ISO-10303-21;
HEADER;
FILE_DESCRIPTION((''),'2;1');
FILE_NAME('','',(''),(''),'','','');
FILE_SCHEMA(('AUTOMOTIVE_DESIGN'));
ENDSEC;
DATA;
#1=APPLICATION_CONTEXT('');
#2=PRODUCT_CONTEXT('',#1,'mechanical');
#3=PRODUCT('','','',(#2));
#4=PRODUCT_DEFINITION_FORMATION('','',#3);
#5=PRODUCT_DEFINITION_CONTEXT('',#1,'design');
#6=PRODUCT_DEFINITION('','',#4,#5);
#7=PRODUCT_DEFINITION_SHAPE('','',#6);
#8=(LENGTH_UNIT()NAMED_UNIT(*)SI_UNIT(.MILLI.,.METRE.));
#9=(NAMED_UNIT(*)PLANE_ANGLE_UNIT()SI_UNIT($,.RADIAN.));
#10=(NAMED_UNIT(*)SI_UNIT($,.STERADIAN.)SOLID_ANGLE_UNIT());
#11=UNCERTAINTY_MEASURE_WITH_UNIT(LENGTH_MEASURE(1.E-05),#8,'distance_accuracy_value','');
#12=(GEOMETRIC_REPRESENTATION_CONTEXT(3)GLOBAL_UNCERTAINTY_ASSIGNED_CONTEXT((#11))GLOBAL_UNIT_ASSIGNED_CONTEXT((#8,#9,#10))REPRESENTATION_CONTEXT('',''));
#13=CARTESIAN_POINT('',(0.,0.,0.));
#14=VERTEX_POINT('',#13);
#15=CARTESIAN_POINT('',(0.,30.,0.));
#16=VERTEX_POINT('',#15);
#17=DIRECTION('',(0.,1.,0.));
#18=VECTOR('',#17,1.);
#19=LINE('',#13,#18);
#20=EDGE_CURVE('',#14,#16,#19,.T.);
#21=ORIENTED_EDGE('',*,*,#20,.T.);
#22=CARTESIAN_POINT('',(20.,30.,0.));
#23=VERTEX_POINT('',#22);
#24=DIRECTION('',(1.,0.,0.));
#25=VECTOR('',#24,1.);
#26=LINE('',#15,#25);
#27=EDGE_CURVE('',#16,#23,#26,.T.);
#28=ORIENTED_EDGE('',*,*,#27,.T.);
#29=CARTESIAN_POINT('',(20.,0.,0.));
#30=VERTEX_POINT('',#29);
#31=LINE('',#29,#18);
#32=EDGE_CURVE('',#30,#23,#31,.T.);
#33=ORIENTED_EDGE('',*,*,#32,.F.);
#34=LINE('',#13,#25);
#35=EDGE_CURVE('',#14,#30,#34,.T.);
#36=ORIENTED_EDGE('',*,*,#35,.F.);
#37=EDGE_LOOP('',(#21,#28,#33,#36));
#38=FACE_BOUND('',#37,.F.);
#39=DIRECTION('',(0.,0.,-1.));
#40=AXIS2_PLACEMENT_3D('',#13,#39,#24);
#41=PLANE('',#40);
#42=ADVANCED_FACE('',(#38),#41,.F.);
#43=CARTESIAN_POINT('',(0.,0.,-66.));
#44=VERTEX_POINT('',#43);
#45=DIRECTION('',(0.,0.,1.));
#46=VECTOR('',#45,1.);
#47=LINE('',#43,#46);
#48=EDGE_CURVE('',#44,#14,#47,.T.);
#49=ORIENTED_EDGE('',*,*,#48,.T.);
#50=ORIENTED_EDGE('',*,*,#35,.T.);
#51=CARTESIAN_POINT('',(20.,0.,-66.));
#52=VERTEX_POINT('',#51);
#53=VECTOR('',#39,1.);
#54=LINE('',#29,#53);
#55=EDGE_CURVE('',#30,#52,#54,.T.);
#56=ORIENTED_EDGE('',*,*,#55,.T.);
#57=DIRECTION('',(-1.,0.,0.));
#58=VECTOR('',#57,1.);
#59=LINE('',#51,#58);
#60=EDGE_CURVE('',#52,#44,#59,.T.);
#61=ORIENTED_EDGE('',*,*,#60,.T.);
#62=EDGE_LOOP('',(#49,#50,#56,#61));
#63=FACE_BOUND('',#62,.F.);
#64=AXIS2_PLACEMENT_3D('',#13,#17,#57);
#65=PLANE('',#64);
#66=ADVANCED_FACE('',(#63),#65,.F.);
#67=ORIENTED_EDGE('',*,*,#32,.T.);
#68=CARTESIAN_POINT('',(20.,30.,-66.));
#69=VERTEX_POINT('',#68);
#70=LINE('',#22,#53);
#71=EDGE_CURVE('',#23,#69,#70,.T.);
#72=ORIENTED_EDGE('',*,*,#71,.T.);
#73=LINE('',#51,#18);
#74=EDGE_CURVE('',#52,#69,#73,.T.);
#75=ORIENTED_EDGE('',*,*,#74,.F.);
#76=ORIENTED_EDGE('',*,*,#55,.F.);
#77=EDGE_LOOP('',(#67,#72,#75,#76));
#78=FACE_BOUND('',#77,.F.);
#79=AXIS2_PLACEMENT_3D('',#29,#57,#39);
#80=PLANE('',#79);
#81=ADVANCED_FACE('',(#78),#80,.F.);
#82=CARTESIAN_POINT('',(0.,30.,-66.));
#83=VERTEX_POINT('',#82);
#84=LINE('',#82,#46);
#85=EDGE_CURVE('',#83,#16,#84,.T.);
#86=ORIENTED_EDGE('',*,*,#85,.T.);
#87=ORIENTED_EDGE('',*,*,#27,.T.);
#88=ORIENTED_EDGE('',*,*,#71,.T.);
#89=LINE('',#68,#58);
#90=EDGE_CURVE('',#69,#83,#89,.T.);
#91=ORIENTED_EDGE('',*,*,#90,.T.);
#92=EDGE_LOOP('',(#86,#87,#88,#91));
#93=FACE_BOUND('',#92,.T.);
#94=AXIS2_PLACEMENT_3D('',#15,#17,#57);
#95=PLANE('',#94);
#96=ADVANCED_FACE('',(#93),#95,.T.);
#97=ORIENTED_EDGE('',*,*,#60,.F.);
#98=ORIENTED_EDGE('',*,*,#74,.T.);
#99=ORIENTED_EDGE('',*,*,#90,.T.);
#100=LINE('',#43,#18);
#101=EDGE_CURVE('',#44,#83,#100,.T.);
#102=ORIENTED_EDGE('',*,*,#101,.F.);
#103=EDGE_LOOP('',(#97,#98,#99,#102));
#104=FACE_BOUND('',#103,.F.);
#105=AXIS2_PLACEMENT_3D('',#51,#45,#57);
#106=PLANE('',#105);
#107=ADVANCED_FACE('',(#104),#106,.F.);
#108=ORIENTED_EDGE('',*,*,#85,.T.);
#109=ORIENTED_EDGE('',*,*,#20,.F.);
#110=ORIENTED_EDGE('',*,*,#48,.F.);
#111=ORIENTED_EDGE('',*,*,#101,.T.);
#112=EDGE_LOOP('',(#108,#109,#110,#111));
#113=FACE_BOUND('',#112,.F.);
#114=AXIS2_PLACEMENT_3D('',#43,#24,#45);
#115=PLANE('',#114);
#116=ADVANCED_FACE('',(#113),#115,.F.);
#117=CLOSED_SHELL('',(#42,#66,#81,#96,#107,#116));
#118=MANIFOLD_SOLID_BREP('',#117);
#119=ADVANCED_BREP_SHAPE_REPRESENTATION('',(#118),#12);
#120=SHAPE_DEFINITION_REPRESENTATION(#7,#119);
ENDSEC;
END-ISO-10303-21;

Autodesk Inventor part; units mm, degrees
ref_plane "YZ Plane" through (0, 0, 0) normal (1, 0, 0) x (0, 1, 0)
ref_plane "XZ Plane" through (0, 0, 0) normal (0, 1, 0) x (-1, 0, 0)
ref_plane "XY Plane" through (0, 0, 0) normal (0, 0, 1) x (1, 0, 0)
sketch "Sketch2" plane through (0, 0, 0) normal (0, 1, 0) x (-1, 0, 0)
  line L0 (0, 0) -> (-20, 0)
  line L1 (-20, 0) -> (-20, -66)
  line L2 (-20, -66) -> (0, -66)
  line L3 (0, -66) -> (0, 0)
  dimension "d0" = 20
  dimension "d1" = 66
extrude "Extrusion1" add sketch "Sketch2" along normal blind 30
properties part number "lipo3s650"
